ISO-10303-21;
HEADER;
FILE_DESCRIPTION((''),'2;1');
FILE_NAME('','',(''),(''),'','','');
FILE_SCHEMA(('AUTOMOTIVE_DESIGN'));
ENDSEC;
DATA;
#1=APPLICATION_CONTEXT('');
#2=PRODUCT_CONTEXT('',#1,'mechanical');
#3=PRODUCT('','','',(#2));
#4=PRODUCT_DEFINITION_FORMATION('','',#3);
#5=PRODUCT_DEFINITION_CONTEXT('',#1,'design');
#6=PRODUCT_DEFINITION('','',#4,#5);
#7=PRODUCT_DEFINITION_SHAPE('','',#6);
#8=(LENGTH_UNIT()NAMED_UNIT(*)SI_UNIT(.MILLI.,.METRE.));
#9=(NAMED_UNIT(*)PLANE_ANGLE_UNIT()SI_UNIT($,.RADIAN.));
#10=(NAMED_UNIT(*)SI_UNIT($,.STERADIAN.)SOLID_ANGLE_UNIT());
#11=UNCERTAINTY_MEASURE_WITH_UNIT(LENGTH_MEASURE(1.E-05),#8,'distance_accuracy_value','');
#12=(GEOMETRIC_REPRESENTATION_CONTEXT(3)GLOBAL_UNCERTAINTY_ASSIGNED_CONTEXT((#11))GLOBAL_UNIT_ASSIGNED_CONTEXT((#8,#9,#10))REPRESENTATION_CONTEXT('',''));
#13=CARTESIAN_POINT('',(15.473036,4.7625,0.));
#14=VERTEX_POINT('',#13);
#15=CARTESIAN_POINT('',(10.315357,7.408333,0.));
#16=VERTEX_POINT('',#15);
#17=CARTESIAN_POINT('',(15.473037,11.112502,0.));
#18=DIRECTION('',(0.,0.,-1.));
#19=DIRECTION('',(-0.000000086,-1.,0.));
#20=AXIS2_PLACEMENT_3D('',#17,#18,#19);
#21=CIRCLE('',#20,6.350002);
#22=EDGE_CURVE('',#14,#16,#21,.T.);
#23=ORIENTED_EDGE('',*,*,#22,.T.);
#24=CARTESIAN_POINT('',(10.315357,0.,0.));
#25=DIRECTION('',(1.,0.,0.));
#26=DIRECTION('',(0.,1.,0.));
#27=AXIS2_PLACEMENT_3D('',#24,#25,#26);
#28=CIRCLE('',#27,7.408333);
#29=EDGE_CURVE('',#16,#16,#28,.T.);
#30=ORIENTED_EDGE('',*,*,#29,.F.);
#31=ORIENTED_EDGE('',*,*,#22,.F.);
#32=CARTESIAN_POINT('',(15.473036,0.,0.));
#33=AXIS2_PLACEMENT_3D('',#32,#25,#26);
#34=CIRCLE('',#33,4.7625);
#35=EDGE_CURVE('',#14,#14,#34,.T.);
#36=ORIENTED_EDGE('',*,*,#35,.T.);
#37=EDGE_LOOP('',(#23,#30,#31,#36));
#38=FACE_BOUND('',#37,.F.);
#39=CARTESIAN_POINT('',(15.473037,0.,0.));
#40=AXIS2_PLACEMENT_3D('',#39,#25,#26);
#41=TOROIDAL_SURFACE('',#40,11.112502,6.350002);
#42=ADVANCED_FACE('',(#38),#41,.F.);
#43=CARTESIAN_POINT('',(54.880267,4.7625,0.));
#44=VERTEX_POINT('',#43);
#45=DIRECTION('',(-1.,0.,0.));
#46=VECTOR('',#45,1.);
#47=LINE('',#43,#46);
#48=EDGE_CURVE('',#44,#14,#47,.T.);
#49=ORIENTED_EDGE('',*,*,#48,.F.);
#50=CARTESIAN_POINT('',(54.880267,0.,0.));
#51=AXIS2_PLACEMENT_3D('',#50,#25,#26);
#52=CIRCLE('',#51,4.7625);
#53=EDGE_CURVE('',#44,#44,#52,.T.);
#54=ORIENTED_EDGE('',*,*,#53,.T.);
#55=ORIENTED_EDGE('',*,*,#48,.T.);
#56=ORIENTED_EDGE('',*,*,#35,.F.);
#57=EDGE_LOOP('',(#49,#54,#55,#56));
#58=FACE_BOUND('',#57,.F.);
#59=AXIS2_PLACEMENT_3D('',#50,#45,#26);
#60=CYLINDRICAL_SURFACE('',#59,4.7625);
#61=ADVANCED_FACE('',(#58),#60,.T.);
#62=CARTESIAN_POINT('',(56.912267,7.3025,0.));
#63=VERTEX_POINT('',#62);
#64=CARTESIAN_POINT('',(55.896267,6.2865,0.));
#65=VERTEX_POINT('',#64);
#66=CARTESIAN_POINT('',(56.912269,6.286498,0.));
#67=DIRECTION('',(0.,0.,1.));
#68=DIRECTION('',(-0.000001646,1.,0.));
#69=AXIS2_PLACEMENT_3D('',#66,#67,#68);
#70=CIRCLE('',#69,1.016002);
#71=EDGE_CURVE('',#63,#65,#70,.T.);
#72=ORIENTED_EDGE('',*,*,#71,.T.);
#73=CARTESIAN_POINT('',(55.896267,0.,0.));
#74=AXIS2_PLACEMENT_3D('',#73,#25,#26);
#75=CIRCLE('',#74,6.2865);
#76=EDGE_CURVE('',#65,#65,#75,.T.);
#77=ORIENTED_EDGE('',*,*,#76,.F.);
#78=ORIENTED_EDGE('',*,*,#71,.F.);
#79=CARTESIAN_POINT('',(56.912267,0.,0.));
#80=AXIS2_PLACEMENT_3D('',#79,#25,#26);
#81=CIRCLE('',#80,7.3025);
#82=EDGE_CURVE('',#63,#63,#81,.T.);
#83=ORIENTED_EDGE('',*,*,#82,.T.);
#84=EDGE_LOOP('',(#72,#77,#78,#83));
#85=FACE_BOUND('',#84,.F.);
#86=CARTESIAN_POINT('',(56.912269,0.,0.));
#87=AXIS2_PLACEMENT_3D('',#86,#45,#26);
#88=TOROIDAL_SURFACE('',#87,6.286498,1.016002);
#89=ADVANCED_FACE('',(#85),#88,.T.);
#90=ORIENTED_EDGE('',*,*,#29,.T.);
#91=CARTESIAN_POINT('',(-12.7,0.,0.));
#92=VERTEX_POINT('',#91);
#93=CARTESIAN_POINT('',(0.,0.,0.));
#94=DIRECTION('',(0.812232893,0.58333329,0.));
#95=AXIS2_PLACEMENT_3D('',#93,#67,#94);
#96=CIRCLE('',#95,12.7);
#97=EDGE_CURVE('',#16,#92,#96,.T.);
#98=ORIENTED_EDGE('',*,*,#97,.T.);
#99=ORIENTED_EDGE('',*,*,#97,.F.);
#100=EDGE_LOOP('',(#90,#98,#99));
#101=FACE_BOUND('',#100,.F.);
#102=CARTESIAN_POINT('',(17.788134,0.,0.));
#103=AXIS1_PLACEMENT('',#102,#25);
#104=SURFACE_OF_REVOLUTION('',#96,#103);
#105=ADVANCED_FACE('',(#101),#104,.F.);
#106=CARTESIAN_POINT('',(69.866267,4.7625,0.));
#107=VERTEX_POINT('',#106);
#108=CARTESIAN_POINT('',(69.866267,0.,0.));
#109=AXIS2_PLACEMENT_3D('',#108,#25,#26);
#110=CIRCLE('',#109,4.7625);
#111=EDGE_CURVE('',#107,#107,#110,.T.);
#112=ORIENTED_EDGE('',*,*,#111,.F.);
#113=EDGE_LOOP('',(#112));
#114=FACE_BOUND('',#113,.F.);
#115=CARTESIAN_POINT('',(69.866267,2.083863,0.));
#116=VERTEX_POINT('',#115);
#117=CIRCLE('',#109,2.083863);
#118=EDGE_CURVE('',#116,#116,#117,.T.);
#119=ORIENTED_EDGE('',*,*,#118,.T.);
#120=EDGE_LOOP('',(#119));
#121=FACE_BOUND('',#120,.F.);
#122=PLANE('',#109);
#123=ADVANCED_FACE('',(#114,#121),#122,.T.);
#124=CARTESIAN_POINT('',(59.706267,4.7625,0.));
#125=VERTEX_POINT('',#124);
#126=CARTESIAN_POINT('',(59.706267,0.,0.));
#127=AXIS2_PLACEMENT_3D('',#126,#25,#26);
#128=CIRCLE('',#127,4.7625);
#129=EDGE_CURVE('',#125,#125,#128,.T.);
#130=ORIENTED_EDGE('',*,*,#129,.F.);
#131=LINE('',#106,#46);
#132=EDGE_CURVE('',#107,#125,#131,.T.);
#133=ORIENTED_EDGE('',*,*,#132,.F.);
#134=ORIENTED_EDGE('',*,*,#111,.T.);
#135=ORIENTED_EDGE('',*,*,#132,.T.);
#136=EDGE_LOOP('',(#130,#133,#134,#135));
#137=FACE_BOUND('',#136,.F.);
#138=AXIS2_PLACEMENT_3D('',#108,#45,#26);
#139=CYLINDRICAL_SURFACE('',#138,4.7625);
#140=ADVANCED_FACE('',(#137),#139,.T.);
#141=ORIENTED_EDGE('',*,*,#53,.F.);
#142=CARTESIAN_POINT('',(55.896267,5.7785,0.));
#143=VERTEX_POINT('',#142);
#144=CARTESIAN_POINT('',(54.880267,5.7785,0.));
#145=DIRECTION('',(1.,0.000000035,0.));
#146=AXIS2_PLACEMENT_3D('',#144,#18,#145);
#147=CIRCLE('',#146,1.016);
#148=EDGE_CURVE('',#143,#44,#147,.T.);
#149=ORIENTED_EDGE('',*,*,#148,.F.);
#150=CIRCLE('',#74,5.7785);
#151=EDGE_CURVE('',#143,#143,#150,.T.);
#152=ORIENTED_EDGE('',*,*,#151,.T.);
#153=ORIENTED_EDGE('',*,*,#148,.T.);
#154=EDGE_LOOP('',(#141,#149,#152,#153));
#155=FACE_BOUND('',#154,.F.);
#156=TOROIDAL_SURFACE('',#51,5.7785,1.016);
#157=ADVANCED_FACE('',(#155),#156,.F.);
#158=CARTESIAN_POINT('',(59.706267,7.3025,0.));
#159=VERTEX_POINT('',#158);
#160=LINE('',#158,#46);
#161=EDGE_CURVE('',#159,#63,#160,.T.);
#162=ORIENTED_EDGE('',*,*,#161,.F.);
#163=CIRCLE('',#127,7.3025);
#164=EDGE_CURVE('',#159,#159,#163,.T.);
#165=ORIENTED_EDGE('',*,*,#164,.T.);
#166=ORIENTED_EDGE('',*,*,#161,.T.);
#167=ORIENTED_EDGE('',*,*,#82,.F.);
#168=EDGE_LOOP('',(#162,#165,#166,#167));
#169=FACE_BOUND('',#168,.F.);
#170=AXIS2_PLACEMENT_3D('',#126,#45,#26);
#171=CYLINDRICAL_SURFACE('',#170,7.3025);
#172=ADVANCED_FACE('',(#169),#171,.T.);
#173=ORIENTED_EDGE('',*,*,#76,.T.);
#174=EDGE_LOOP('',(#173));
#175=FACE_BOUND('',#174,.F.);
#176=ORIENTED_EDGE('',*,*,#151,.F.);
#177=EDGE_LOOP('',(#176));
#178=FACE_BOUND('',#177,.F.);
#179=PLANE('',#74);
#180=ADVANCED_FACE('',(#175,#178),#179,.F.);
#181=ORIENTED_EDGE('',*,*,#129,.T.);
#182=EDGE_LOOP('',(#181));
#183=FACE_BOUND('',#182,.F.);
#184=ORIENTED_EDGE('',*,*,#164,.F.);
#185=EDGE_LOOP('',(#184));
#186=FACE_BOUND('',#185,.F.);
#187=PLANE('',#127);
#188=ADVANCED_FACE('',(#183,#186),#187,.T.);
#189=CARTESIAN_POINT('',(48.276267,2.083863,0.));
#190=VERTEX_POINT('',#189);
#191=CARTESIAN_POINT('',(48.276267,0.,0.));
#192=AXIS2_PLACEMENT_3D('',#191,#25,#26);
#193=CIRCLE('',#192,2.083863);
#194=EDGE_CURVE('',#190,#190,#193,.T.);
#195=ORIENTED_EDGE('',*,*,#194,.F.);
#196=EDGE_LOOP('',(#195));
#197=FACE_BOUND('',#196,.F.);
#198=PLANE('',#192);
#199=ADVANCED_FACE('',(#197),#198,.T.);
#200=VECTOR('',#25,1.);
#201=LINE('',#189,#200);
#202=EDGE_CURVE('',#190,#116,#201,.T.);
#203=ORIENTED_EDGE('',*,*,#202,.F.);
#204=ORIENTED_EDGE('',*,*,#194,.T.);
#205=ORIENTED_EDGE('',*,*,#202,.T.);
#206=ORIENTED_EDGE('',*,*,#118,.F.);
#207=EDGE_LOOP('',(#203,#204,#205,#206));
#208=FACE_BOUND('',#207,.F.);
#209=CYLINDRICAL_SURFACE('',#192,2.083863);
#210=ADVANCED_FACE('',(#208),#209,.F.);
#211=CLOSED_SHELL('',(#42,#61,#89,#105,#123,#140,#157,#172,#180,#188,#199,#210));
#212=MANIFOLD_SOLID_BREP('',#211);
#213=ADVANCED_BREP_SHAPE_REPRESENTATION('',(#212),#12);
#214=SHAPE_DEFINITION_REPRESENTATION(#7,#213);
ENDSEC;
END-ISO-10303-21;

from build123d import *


with BuildPart() as f1:
    # F0 (on Top) → F1 (revolve)
    with BuildSketch(Plane.XY):
        with BuildLine():
            ThreePointArc((15.473036, 4.7625), (12.574671, 5.462546), (10.315357, 7.408333))
            ThreePointArc((10.315357, 7.408333), (-3.891334, 12.089149), (-12.7, 0))
            Line((-12.7, 0), (48.276267, 0))
            Line((48.276267, 0), (48.276267, 2.083863))
            Line((48.276267, 2.083863), (69.866267, 2.083863))
            Line((69.866267, 2.083863), (69.866267, 4.7625))
            Line((69.866267, 4.7625), (59.706267, 4.7625))
            Line((59.706267, 4.7625), (59.706267, 7.3025))
            Line((59.706267, 7.3025), (56.912267, 7.3025))
            ThreePointArc((56.912267, 7.3025), (56.193847, 7.00492), (55.896267, 6.2865))
            Line((55.896267, 6.2865), (55.896267, 5.7785))
            ThreePointArc((55.896267, 5.7785), (55.598688, 5.06008), (54.880267, 4.7625))
            Line((54.880267, 4.7625), (15.473036, 4.7625))
        make_face()
    revolve(axis=Axis((17.788134, 0, 0), (1, 0, 0)))


solid = f1.part
